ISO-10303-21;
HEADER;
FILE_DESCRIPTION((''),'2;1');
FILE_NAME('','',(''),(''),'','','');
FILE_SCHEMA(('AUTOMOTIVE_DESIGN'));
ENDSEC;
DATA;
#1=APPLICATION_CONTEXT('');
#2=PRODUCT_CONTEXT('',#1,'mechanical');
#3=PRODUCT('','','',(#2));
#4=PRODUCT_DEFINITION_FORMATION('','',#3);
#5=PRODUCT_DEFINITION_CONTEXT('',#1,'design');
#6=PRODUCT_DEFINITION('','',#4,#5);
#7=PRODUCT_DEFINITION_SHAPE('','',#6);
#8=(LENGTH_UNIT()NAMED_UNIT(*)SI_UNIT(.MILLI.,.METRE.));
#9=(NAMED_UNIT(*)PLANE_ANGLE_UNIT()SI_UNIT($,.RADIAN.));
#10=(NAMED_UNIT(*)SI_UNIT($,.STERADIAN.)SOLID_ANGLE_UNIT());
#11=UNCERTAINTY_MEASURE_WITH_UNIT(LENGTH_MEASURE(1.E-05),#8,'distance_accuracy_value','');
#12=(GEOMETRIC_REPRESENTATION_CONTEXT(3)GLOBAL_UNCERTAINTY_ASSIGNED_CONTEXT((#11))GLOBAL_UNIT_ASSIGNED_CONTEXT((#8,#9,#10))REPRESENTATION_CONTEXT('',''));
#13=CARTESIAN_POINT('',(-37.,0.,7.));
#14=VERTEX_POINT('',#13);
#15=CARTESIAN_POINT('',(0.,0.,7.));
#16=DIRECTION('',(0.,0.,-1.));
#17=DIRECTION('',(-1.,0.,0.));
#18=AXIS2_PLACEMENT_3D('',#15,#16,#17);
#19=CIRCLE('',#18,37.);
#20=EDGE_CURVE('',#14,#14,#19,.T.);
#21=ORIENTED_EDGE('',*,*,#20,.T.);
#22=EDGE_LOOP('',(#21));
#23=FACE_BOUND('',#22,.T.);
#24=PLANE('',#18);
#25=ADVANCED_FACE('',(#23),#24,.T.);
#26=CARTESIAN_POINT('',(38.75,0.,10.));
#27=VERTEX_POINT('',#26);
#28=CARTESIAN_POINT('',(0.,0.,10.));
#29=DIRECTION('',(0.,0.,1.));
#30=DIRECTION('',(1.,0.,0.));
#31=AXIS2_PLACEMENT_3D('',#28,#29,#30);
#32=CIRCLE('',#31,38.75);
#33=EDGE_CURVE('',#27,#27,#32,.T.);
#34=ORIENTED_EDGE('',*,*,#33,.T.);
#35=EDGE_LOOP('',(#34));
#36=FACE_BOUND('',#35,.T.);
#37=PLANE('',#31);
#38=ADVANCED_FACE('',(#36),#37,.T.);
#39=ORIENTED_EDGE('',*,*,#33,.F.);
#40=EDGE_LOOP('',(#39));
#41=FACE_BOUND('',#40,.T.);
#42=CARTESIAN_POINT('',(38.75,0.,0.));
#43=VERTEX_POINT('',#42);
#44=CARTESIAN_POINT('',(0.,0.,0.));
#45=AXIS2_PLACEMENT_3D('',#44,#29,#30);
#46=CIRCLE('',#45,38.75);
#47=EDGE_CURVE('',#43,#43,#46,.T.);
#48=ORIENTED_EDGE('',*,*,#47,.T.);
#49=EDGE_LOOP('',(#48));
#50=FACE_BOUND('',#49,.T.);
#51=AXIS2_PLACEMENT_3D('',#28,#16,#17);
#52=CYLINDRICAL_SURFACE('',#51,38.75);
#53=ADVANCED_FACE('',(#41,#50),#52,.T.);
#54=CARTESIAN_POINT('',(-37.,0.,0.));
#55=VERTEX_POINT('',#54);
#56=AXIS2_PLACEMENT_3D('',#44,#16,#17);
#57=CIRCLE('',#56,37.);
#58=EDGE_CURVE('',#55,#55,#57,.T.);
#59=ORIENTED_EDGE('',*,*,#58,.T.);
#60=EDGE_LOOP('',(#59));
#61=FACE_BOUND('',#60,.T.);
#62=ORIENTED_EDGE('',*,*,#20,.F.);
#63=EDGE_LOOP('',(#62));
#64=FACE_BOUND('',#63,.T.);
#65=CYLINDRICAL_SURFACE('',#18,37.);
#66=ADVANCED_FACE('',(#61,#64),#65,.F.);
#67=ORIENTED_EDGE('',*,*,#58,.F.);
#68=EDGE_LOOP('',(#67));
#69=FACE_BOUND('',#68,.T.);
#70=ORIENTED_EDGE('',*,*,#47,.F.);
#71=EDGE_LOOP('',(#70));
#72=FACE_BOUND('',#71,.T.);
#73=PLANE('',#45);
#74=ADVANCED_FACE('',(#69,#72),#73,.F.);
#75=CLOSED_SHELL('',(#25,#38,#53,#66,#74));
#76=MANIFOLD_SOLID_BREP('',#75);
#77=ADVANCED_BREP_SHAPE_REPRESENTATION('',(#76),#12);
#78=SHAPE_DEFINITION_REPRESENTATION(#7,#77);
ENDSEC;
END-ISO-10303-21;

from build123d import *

# Parameters (mm, degrees)
SKETCH_1_R          = 38.75
EXTRUDE_1_DEPTH     = 10
SKETCH_2_R          = 37
CUT_EXTRUDE_1_DEPTH = 7


with BuildPart() as part:
    # 草图1 → 凸台-拉伸1 (new body)
    with BuildSketch(Plane.XY):
        Circle(SKETCH_1_R)
    extrude(amount=EXTRUDE_1_DEPTH)

    # 草图2 → 切除-拉伸1 (cut)
    with BuildSketch(Plane(origin=(0, 0, 0), x_dir=(-1, 0, 0), z_dir=(0, 0, -1))):
        Circle(SKETCH_2_R)
    extrude(amount=-CUT_EXTRUDE_1_DEPTH, mode=Mode.SUBTRACT)


solid = part.part
